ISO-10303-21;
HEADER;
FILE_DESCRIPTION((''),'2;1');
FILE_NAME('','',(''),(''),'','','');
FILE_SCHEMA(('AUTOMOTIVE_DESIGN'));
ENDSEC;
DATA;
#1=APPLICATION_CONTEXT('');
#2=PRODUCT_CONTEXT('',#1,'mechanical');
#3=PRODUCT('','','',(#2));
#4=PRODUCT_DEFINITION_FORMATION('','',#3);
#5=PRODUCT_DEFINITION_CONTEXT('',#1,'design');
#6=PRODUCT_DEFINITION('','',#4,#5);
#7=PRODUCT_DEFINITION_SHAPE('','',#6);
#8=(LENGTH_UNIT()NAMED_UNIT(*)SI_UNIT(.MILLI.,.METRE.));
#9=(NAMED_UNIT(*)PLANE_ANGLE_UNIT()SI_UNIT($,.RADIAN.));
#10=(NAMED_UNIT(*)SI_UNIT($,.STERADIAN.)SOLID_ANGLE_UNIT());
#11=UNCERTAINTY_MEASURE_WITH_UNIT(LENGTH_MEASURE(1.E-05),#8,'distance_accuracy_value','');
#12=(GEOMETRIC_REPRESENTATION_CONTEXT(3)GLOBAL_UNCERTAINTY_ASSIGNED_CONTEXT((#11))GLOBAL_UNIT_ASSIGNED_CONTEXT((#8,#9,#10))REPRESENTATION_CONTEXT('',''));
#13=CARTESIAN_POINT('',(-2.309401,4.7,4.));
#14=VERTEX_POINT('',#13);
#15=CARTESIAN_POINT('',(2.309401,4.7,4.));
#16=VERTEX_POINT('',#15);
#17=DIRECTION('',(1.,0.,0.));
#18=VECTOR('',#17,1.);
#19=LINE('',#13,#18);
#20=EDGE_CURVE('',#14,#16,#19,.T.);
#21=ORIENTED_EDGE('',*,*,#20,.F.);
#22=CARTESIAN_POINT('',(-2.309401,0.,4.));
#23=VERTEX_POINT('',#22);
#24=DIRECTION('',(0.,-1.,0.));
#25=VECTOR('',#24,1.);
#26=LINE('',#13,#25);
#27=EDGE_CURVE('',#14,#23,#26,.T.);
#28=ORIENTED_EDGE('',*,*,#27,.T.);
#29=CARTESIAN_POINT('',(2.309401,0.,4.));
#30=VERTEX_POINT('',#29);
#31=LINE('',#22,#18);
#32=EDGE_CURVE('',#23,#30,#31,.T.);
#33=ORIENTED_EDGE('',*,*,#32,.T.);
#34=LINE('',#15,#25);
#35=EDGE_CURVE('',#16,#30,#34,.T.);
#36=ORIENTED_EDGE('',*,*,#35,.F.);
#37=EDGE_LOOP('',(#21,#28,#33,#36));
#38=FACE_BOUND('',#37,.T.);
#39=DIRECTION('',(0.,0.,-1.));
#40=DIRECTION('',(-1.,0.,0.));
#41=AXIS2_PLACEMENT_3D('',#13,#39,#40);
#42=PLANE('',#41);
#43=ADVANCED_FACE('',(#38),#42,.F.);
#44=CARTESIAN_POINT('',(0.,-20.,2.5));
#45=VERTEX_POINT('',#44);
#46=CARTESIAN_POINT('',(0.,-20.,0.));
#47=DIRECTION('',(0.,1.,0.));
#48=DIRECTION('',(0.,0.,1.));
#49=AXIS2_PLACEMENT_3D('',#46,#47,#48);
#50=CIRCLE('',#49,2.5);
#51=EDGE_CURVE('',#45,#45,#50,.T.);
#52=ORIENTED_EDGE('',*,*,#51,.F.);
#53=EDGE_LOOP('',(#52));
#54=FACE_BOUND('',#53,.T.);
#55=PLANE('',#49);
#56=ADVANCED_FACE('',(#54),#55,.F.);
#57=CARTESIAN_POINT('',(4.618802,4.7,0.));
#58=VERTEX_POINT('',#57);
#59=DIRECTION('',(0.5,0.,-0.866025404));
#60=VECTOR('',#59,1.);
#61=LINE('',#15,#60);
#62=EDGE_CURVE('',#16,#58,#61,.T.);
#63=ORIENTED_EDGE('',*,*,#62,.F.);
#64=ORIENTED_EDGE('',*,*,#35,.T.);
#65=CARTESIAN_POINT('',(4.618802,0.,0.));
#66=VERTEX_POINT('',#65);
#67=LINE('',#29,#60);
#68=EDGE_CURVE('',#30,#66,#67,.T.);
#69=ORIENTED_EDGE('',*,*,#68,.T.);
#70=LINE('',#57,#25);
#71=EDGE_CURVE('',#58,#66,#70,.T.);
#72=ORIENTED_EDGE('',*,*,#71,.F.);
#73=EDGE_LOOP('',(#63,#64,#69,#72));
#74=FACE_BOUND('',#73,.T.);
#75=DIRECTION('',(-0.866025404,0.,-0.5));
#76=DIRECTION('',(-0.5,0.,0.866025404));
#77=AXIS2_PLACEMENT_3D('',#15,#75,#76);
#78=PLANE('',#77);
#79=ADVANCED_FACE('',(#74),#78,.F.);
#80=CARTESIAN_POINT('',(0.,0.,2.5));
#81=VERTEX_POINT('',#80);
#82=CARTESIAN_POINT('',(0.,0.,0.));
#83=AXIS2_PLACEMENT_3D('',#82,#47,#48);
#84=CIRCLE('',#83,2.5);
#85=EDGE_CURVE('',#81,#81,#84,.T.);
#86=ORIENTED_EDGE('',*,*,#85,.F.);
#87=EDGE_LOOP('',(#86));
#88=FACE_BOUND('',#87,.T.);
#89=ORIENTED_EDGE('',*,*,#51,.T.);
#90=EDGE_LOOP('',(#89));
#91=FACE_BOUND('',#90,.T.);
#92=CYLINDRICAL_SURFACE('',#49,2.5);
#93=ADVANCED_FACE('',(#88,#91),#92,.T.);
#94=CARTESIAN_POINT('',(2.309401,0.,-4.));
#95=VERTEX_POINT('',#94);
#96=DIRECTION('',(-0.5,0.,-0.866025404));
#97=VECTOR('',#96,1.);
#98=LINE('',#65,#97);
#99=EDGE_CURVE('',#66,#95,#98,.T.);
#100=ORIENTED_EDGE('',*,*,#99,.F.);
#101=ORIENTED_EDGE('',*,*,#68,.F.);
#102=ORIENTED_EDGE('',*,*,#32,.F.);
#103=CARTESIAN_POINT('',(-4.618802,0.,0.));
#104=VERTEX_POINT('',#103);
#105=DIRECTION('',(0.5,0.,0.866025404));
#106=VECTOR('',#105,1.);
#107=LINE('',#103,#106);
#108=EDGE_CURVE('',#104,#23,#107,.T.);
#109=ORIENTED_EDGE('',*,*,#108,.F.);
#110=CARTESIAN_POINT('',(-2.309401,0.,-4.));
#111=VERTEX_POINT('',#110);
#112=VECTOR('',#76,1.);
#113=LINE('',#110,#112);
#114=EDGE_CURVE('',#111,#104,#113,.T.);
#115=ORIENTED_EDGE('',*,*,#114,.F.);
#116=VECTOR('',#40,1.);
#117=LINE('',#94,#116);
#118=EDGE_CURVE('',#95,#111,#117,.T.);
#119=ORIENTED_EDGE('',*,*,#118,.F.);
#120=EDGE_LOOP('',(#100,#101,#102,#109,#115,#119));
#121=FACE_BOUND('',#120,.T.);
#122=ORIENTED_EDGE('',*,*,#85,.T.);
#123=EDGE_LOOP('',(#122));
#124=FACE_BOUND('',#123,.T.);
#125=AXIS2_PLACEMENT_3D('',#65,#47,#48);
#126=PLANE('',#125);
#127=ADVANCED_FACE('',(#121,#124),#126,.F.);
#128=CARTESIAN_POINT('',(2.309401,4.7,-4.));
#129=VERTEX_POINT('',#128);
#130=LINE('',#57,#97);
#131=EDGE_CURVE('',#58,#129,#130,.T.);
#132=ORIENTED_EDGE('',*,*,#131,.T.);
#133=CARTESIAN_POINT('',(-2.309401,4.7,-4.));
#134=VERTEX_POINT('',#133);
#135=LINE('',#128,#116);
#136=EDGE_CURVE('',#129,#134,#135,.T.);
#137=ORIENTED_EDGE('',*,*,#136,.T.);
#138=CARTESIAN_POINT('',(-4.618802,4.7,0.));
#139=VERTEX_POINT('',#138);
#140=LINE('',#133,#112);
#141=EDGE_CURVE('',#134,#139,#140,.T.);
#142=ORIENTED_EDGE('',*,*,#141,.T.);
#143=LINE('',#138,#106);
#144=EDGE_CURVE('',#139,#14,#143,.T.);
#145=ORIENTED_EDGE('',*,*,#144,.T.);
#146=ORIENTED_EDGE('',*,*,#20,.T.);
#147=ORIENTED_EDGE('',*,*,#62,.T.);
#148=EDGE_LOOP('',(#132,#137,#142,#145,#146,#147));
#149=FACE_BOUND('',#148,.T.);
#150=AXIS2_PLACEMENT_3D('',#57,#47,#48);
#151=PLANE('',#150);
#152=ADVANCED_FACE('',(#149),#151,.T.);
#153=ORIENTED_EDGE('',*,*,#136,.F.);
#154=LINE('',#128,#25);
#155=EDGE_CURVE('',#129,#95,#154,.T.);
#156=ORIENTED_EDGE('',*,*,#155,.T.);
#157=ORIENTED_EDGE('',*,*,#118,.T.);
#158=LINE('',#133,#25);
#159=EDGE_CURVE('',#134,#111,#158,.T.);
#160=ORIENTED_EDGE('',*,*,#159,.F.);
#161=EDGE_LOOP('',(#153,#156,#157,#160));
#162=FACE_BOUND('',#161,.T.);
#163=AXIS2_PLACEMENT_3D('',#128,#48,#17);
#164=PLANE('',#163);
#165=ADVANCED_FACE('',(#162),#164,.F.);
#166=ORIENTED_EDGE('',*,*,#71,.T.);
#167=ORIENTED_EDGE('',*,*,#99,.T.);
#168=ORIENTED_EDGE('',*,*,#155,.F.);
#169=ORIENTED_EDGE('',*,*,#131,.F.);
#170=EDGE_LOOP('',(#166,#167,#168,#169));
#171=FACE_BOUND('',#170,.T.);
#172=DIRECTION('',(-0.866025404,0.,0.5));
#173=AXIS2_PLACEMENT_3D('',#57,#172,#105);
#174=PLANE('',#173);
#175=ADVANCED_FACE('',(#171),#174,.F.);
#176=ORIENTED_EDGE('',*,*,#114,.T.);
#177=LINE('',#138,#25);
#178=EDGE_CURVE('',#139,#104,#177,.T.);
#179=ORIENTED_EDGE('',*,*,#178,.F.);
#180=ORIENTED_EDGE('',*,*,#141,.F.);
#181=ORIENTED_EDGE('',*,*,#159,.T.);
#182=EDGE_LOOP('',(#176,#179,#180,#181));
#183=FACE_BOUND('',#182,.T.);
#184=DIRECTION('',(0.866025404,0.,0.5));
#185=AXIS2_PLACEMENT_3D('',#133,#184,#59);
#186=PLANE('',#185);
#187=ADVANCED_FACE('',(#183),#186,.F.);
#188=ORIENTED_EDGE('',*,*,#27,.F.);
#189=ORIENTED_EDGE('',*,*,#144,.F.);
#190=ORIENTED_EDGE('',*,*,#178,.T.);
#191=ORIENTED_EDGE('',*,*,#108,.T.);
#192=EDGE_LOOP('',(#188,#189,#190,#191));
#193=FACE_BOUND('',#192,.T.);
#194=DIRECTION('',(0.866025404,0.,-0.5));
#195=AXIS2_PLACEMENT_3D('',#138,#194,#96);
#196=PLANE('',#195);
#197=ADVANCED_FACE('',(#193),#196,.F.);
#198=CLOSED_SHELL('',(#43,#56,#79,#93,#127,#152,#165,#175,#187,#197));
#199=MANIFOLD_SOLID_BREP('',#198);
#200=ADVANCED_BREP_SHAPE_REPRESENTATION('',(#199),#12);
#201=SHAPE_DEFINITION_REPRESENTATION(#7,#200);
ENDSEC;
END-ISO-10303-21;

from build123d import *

# Parameters (mm, degrees)
HEAD_DEPTH = 4.7
SKBODY_R   = 2.5
BODY_DEPTH = 20


with BuildPart() as part:
    # skHead → Head (new body)
    with BuildSketch(Plane(origin=(0, 0, 0), x_dir=(1, 0, 0), z_dir=(0, 1, 0))):
        Polygon((4.618802154, 0), (2.309401077, 4), (-2.309401077, 4), (-4.618802154, 0), (-2.309401077, -4), (2.309401077, -4), align=None)
    extrude(amount=HEAD_DEPTH)

    # skBody → Body (add)
    with BuildSketch(Plane(origin=(0, 0, 0), x_dir=(1, 0, 0), z_dir=(0, 1, 0))):
        Circle(SKBODY_R)
    extrude(amount=-BODY_DEPTH)


solid = part.part
